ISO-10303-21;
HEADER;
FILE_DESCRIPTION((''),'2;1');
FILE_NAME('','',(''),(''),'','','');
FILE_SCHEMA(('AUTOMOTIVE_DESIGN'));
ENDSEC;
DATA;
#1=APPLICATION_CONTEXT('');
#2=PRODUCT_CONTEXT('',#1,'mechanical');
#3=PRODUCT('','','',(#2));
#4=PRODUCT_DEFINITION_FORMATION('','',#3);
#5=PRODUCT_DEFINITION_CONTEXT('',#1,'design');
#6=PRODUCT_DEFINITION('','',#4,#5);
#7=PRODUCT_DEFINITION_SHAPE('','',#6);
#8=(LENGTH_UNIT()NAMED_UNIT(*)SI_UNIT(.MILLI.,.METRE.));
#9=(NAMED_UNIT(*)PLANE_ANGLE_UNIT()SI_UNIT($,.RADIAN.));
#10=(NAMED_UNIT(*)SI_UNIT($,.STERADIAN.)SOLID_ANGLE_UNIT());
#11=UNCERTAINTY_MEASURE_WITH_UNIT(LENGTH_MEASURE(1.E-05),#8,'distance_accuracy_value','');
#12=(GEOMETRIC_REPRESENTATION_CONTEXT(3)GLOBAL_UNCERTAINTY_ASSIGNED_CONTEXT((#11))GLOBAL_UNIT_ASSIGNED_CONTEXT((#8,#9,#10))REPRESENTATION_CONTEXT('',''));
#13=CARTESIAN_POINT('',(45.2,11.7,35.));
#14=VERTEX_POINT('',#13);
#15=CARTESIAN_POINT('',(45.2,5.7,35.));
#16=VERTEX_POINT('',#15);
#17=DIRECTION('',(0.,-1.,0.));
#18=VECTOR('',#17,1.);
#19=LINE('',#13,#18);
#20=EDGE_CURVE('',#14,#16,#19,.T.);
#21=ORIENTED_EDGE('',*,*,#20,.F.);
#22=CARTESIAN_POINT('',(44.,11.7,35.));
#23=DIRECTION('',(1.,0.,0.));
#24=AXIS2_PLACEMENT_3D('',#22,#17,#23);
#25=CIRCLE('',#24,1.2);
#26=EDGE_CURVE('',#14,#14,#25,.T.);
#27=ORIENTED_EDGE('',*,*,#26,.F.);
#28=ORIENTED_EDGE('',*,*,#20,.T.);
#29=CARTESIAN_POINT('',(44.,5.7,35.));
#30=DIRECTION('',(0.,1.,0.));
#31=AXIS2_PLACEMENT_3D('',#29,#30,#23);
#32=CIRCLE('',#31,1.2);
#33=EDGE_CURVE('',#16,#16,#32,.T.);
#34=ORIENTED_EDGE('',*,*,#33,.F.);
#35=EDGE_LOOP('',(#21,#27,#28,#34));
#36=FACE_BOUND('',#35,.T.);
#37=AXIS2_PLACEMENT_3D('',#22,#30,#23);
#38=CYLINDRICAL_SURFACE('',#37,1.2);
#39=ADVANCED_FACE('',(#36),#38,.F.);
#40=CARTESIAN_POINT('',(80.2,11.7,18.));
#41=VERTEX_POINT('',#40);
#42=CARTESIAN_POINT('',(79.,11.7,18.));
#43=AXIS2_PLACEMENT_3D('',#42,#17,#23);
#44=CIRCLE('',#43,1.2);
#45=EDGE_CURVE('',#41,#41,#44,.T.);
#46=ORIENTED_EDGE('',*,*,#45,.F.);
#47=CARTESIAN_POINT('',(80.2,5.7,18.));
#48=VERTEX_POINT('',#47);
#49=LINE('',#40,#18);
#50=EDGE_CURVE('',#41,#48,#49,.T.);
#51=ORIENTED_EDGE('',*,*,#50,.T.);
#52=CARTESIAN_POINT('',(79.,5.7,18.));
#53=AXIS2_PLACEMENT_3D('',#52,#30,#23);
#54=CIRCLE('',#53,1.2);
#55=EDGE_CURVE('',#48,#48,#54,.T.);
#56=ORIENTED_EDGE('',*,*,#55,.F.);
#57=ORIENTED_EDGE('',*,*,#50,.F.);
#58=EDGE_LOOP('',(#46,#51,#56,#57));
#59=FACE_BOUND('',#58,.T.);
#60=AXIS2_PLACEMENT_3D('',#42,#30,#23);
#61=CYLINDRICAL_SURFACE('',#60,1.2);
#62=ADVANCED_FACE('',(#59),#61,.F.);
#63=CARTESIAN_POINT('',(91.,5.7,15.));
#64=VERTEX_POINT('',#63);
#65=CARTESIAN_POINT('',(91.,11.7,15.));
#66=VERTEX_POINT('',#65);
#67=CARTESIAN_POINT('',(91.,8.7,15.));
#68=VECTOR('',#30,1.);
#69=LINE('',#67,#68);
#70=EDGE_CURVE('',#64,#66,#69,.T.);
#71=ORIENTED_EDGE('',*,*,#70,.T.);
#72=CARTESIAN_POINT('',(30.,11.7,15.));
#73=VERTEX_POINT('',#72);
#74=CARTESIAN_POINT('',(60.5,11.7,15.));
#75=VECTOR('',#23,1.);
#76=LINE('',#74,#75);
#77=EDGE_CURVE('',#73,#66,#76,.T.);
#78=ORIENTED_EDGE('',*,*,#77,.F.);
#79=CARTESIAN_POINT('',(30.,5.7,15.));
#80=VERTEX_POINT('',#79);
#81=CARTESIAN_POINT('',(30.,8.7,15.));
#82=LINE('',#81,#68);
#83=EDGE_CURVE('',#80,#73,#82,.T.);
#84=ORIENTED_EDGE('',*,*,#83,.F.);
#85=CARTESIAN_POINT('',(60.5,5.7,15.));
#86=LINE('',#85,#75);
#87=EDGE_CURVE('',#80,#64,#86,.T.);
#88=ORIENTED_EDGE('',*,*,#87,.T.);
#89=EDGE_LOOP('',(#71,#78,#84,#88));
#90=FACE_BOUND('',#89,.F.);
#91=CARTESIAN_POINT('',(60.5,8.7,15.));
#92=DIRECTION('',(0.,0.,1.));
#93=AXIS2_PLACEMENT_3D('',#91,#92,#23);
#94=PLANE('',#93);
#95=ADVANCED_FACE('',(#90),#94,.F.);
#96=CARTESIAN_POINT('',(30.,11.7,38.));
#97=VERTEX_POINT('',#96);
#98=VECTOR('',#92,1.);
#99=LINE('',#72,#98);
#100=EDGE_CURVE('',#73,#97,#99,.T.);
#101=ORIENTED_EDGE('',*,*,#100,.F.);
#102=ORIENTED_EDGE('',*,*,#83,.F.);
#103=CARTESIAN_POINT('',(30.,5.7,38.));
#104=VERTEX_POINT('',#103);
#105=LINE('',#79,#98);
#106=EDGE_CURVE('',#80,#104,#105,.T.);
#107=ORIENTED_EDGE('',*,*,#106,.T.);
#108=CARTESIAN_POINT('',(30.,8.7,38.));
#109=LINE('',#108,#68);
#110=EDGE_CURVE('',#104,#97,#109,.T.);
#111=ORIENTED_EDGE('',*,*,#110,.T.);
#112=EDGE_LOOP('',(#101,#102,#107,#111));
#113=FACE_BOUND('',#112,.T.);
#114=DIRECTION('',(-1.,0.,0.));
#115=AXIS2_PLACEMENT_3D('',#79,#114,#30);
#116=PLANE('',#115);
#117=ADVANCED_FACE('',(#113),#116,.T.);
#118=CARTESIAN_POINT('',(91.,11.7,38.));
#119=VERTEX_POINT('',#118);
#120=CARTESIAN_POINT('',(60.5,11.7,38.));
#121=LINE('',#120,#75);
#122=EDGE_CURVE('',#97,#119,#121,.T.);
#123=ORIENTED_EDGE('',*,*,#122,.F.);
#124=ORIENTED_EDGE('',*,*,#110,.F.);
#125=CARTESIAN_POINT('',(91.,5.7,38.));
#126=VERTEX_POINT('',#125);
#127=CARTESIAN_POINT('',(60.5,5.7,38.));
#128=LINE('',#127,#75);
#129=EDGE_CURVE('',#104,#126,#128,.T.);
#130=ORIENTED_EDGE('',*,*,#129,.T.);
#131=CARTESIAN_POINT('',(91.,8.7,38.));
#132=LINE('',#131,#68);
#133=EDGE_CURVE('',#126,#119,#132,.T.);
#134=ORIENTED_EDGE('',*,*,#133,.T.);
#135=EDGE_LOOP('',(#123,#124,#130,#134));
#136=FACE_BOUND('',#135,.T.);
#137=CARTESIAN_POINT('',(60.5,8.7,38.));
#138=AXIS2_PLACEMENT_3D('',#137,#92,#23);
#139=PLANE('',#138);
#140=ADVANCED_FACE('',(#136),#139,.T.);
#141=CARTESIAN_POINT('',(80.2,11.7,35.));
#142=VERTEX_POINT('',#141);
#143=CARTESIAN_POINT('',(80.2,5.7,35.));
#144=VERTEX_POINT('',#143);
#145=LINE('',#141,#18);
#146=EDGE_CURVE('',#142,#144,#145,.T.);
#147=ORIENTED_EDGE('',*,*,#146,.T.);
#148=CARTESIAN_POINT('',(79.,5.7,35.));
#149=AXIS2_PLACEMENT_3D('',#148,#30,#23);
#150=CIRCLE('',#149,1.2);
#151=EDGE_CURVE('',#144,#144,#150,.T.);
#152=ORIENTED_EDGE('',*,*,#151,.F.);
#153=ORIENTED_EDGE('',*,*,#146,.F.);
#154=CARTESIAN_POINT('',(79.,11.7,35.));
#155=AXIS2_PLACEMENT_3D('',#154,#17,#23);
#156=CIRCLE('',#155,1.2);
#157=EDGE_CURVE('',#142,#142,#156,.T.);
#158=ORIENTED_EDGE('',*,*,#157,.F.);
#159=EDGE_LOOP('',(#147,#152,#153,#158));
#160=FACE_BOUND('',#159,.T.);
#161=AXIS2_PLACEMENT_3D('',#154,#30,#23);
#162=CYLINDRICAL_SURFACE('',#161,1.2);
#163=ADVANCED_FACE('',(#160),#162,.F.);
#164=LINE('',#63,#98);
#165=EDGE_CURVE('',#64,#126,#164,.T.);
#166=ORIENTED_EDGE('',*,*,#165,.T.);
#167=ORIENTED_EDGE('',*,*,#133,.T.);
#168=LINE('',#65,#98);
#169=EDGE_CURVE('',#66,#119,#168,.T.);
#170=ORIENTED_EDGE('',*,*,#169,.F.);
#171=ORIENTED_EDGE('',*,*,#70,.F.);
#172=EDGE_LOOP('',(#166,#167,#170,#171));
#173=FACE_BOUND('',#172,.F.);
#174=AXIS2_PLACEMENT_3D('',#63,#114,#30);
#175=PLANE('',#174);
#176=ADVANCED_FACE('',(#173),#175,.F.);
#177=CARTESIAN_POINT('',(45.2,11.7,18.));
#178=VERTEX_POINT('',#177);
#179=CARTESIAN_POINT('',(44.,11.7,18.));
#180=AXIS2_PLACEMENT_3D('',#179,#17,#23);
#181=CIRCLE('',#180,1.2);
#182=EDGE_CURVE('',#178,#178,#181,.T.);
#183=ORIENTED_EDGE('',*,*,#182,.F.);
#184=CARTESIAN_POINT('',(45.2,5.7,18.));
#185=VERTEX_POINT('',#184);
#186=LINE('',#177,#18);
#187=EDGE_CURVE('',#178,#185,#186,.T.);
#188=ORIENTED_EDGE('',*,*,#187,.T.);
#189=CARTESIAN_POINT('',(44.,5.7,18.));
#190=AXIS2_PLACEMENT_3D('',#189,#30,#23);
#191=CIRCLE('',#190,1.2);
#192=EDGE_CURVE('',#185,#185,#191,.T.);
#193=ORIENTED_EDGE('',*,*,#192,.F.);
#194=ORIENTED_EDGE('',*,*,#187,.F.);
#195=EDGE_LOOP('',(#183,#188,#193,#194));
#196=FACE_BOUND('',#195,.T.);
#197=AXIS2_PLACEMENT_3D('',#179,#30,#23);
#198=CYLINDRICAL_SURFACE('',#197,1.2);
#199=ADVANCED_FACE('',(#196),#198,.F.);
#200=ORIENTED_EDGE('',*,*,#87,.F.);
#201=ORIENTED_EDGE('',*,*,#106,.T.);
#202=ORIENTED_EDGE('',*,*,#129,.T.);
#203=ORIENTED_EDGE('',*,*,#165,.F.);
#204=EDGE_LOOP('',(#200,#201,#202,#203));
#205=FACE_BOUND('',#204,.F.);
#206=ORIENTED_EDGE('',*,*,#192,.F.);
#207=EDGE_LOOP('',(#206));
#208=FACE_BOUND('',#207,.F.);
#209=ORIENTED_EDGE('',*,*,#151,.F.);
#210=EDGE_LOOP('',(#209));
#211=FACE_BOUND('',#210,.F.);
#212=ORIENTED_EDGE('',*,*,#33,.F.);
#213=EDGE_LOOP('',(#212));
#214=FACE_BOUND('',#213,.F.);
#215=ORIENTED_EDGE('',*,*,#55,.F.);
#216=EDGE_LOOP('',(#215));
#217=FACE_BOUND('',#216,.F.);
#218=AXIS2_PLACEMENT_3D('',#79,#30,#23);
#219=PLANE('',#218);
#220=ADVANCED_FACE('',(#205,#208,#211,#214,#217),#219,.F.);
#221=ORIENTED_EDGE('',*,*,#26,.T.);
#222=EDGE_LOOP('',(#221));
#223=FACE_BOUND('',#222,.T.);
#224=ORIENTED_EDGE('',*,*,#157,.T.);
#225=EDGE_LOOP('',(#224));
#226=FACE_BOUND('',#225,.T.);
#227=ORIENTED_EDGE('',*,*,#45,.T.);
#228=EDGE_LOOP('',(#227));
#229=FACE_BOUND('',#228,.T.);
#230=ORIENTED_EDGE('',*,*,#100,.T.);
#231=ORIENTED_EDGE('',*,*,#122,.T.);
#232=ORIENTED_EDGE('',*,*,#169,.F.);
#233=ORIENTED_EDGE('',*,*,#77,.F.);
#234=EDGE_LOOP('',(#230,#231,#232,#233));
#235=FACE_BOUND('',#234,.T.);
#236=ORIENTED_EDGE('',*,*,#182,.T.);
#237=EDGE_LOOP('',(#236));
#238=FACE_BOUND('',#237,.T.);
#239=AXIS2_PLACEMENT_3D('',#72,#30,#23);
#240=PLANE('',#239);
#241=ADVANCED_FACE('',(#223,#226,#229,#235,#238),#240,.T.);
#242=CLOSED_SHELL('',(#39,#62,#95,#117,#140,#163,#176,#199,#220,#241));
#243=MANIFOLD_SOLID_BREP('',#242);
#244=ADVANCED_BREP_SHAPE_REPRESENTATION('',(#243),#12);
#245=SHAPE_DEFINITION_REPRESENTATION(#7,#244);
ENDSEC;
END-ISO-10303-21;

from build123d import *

# Parameters (mm, degrees)
CYLINDER001_R     = 1.2
CYLINDER001_DEPTH = 10
CYLINDER002_R     = 1.2
CYLINDER002_DEPTH = 10
CYLINDER003_R     = 1.2
CYLINDER003_DEPTH = 10
CYLINDER_R        = 1.2
CYLINDER_DEPTH    = 10
BOX002_W          = 61
BOX002_H          = 6
BOX002_DEPTH      = 23


with BuildPart() as m2s001:
    # Cylinder001 → Cylinder001 (new body)
    with BuildSketch(Plane(origin=(14, 0, 20), x_dir=(1, 0, 0), z_dir=(0, -1, 0))):
        Circle(CYLINDER001_R)
    extrude(amount=CYLINDER001_DEPTH)


with BuildPart() as m2s002:
    # Cylinder002 → Cylinder002 (new body)
    with BuildSketch(Plane(origin=(49, 0, 20), x_dir=(1, 0, 0), z_dir=(0, -1, 0))):
        Circle(CYLINDER002_R)
    extrude(amount=CYLINDER002_DEPTH)


with BuildPart() as m2s003:
    # Cylinder003 → Cylinder003 (new body)
    with BuildSketch(Plane(origin=(49, 0, 3), x_dir=(1, 0, 0), z_dir=(0, -1, 0))):
        Circle(CYLINDER003_R)
    extrude(amount=CYLINDER003_DEPTH)


with BuildPart() as e5minicuts:
    # Cylinder → Cylinder (new body)
    with BuildSketch(Plane(origin=(14, 0, 3), x_dir=(1, 0, 0), z_dir=(0, -1, 0))):
        Circle(CYLINDER_R)
    extrude(amount=CYLINDER_DEPTH)

    # Fusion: union m2s001, m2s002, m2s003
    add(m2s001.part)
    add(m2s002.part)
    add(m2s003.part)


with BuildPart() as e5minicuts_1:
    # Fusion placement: moved
    add(e5minicuts.part.moved(Location((0, 6, 0))))


with BuildPart() as e5mini:
    # Box002 → Box002 (new body)
    with BuildSketch(Plane.XY):
        with Locations((30.5, 3)):
            Rectangle(BOX002_W, BOX002_H)
    extrude(amount=BOX002_DEPTH)

    # Cut: cut e5MiniCuts
    add(e5minicuts_1.part, mode=Mode.SUBTRACT)


with BuildPart() as e5mini_1:
    # Cut placement: moved
    add(e5mini.part.moved(Location((30, 5.7, 15))))


solid = e5mini_1.part
